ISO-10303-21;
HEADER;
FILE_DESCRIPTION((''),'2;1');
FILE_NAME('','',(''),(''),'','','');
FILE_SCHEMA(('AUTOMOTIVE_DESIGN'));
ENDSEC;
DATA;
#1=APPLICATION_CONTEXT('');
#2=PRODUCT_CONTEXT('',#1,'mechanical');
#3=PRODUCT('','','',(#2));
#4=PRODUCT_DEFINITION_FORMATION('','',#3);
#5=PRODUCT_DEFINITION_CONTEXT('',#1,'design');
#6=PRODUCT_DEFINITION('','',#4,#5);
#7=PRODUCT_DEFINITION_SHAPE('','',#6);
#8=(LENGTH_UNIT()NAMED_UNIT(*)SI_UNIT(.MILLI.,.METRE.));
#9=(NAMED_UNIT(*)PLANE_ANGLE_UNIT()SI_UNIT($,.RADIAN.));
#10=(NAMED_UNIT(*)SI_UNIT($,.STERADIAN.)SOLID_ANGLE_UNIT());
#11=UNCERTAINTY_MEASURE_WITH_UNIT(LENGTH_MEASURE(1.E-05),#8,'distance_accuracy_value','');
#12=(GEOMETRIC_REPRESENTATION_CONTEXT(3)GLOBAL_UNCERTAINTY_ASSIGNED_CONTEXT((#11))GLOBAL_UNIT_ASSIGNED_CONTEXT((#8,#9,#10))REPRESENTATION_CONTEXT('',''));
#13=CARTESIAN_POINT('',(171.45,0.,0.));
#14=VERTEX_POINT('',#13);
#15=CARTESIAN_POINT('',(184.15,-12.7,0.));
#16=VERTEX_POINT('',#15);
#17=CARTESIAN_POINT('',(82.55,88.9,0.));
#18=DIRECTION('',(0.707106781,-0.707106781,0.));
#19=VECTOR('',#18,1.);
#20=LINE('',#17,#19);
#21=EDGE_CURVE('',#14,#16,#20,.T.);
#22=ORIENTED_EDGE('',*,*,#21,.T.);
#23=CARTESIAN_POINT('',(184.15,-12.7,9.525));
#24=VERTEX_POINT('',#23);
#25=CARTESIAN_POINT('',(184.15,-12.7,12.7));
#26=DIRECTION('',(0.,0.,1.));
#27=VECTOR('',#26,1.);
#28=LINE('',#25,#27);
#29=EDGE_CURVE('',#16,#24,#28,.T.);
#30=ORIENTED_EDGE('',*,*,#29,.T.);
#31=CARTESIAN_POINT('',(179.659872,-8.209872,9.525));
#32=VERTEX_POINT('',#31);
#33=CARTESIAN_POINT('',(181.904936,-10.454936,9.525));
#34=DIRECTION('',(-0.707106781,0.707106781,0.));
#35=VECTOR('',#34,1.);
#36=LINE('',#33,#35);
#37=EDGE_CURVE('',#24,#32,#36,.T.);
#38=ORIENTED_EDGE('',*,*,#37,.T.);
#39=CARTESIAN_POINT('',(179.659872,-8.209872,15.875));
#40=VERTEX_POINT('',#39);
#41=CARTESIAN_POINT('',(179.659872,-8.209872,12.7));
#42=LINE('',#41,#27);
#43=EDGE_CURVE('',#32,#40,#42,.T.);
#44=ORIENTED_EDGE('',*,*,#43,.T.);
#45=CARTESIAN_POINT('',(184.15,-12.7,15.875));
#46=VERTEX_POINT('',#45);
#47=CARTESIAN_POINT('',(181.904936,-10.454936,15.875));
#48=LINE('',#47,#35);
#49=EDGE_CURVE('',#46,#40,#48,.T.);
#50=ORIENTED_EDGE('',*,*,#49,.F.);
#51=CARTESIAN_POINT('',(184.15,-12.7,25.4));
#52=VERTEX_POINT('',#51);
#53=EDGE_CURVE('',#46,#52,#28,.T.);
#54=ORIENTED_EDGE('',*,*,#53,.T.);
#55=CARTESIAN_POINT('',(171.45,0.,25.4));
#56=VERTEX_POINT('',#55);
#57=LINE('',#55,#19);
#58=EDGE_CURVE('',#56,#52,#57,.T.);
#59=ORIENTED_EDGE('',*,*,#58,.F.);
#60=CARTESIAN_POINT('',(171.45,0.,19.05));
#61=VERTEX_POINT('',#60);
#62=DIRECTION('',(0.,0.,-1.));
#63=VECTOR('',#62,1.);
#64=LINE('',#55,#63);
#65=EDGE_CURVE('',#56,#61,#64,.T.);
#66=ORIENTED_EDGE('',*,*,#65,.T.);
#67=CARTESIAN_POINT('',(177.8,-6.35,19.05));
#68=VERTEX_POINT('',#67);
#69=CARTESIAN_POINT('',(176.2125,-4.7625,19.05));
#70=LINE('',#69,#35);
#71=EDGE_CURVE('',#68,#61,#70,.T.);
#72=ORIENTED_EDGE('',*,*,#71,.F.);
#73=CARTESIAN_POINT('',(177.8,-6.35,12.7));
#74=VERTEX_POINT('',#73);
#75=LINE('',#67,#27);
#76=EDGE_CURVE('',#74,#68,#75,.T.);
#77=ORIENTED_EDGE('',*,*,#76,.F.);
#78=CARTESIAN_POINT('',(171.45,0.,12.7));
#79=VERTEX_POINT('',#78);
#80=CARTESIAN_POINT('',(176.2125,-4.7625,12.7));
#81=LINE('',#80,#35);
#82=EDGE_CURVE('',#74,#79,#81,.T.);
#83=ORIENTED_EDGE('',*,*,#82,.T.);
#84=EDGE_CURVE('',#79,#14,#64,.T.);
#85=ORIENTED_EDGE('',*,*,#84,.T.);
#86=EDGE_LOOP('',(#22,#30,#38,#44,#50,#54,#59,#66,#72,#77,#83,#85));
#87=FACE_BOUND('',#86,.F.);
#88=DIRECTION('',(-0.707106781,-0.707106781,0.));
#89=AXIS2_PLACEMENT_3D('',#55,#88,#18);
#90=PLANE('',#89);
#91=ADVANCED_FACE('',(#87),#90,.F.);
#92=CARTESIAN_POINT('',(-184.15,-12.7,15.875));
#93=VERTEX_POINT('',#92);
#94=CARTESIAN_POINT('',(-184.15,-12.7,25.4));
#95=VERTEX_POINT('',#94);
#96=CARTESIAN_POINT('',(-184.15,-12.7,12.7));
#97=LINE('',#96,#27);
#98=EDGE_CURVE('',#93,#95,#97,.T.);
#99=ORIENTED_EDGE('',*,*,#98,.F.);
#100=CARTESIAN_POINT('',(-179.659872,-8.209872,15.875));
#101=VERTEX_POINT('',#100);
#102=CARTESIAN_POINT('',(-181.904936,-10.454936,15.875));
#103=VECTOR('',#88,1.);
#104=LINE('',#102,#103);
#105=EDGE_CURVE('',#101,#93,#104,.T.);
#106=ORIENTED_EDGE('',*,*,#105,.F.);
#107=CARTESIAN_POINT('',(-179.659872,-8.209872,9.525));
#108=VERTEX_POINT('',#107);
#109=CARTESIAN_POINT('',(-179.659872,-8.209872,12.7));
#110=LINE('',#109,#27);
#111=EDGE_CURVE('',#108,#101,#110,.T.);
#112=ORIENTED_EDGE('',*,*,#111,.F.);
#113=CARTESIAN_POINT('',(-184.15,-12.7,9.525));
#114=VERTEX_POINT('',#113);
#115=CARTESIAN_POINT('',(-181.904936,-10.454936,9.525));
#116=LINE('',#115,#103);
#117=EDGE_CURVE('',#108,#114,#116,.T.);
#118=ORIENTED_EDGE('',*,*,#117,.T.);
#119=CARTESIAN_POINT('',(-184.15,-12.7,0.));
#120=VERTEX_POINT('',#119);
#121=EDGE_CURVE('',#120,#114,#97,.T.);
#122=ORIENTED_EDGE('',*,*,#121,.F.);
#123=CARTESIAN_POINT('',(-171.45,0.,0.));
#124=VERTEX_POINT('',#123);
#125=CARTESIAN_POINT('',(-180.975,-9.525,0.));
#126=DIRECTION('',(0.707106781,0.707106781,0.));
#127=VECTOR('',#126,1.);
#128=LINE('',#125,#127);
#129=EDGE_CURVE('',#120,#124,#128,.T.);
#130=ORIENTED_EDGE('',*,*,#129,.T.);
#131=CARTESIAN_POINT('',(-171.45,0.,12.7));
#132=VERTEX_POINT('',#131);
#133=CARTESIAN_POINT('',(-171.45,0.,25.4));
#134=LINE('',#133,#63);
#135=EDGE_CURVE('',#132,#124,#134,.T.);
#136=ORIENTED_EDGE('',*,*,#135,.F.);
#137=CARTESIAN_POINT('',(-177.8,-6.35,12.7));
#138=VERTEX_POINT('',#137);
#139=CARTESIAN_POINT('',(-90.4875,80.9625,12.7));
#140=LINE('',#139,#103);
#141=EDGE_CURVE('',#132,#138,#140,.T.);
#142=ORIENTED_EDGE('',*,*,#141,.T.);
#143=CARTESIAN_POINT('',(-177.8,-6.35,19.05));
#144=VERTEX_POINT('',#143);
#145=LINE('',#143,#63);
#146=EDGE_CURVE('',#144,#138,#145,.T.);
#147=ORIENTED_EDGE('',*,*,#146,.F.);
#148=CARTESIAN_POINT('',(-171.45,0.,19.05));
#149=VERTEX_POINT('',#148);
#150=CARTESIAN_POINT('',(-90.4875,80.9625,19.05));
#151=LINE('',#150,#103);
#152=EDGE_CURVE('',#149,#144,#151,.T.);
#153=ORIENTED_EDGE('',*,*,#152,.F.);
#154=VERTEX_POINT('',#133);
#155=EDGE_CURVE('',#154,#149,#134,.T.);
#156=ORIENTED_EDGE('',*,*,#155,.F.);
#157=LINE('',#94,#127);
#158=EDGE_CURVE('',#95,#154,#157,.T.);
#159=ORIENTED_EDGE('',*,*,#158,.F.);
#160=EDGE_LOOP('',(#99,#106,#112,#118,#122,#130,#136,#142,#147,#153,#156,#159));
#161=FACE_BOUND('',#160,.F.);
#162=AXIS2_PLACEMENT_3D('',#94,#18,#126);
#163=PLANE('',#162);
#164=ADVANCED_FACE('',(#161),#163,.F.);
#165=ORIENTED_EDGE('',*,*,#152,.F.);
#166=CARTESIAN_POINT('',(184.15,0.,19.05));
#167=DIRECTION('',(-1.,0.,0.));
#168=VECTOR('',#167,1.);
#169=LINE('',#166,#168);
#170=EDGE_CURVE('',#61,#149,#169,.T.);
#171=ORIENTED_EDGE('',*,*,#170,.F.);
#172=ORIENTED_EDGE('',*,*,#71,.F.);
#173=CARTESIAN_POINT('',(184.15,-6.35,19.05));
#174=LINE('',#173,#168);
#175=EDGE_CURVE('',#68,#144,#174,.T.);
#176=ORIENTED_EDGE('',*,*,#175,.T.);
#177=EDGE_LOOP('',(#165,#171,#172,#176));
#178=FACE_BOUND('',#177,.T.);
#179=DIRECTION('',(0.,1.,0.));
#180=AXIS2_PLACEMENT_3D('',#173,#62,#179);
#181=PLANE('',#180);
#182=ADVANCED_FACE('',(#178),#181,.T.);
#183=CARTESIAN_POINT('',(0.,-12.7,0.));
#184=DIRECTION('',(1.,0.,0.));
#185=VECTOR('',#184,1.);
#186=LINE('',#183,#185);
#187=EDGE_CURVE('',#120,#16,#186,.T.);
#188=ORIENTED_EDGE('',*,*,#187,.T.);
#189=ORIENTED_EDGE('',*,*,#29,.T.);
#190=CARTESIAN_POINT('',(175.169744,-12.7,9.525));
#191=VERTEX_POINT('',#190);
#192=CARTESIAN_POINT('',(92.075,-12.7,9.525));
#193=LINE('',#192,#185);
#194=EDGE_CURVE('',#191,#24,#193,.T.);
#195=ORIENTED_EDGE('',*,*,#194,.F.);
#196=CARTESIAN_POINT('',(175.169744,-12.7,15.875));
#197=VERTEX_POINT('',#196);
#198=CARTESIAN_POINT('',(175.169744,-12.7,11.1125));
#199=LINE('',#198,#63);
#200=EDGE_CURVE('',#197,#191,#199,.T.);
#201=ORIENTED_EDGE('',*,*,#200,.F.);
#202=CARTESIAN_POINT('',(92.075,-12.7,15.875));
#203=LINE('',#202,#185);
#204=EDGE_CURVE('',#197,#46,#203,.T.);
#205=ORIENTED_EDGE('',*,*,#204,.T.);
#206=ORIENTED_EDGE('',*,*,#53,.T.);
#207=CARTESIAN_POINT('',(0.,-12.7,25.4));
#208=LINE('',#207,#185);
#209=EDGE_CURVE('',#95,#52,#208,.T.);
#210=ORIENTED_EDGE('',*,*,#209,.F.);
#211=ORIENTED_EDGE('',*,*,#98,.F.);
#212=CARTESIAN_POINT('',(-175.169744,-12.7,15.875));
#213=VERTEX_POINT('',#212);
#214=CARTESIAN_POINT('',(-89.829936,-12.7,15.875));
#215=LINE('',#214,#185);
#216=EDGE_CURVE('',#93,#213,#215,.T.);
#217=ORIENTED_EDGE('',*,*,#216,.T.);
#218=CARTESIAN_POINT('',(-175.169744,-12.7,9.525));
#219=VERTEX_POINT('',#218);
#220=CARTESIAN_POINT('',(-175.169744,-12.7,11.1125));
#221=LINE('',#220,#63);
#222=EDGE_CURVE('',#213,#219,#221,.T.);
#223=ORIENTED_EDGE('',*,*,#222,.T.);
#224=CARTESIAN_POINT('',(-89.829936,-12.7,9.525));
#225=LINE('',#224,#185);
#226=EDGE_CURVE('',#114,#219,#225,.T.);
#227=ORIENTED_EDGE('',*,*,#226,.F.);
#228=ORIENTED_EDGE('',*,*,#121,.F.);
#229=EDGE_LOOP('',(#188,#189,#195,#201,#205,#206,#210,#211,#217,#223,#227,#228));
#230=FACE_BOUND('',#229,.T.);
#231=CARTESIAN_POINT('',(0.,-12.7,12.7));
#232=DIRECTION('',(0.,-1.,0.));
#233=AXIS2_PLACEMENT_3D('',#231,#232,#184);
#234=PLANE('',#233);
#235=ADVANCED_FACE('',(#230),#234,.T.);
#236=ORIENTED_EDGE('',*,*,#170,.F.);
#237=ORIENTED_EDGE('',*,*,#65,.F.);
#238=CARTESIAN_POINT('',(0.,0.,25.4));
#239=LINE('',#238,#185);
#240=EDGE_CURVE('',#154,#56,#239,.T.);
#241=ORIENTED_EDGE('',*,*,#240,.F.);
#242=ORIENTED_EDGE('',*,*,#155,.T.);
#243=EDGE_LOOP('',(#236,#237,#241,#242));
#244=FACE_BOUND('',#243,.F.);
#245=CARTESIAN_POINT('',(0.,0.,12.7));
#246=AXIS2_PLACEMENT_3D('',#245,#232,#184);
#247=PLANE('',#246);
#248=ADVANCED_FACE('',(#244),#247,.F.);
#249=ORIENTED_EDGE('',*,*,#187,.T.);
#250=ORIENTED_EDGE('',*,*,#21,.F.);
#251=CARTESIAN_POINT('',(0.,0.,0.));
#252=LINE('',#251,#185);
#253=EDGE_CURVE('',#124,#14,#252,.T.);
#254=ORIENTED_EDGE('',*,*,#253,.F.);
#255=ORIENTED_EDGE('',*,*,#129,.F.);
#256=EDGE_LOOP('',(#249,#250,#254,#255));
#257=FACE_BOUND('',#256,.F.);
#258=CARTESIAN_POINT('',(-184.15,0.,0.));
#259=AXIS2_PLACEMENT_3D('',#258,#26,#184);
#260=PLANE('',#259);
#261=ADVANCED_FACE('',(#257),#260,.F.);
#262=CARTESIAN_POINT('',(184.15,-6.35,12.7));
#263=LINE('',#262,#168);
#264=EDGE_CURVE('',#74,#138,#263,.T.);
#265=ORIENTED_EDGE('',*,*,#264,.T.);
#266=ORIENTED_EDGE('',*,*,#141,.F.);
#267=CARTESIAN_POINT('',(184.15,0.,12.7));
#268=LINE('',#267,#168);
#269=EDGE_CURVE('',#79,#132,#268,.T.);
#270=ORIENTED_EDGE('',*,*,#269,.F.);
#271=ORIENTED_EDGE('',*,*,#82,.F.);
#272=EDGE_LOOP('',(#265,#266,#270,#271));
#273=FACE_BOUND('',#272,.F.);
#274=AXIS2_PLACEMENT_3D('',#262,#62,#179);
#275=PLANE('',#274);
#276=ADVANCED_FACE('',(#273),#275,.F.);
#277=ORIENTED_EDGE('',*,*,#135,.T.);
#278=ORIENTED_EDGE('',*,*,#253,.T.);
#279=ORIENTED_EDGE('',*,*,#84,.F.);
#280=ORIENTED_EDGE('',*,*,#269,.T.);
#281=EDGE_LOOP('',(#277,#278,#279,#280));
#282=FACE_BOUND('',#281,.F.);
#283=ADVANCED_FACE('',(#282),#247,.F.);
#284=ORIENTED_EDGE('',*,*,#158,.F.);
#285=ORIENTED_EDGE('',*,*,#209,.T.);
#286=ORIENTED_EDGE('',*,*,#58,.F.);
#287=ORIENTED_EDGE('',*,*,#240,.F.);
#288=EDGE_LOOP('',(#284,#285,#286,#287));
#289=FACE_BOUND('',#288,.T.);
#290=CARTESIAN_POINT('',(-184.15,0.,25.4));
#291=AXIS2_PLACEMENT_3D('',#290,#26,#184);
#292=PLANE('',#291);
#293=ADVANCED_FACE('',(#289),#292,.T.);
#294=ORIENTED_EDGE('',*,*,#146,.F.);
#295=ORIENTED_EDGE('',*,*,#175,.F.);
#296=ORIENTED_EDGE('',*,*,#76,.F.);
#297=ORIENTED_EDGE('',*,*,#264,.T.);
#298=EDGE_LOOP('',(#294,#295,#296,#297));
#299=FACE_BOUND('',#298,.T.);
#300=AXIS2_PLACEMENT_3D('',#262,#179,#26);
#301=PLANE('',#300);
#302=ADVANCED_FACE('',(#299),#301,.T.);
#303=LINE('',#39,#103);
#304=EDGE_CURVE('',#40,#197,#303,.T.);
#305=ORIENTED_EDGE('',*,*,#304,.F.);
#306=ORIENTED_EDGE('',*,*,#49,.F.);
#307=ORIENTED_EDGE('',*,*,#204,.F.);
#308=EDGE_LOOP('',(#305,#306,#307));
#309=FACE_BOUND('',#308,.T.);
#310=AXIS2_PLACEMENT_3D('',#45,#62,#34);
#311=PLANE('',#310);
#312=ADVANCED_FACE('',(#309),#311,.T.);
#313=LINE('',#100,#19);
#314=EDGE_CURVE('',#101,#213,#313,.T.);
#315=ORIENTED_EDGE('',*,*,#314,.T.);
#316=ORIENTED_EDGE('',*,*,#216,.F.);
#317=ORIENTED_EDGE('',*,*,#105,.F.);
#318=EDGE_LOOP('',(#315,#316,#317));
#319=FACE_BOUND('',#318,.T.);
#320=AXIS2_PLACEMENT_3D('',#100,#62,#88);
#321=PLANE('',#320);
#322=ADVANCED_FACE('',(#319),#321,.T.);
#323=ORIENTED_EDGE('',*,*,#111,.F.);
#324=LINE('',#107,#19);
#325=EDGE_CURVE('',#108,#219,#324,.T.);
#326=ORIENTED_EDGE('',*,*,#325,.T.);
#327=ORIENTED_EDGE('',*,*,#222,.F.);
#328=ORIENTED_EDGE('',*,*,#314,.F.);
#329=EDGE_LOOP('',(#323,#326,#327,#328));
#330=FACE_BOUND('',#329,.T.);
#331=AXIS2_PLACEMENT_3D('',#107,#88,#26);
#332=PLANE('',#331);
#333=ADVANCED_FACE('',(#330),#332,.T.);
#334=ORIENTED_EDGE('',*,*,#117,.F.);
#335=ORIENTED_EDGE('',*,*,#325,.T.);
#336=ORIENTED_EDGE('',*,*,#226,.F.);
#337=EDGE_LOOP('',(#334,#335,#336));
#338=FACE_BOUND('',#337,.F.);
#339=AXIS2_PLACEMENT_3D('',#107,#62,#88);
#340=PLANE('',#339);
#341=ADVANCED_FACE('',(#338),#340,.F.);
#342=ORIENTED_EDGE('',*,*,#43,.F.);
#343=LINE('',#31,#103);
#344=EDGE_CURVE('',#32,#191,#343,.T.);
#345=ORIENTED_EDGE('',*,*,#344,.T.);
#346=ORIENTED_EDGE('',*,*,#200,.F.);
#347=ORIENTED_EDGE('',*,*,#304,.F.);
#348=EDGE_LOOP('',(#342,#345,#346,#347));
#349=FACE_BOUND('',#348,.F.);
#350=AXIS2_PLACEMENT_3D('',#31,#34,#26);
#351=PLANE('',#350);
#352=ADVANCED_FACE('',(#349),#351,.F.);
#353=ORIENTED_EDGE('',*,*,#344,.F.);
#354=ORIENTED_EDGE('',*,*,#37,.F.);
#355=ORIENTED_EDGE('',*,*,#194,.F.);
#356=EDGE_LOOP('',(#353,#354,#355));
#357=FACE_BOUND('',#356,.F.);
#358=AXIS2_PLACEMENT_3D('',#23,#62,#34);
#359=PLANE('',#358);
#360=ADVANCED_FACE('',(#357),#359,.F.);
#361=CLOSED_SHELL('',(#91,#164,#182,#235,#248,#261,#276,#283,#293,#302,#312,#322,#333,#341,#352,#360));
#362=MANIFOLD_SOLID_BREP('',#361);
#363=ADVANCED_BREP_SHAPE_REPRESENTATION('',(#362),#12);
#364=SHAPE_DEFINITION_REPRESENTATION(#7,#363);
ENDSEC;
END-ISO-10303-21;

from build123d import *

# Parameters (mm, degrees)
F0_W     = 368.3
F0_H     = 25.4
F1_DEPTH = 12.7
F2_W     = 6.35
F2_H     = 6.35
F3_DEPTH = 368.301
F5_DEPTH = 25.401
F6_W     = 6.35
F6_H     = 6.35
F7_DEPTH = 260.428428
F8_W     = 6.35
F8_H     = 6.35
F9_DEPTH = 260.428428


with BuildPart() as f1:
    # F0 (on Front) → F1 (new body)
    with BuildSketch(Plane.XZ):
        with Locations((0, 12.7)):
            Rectangle(F0_W, F0_H)
    extrude(amount=F1_DEPTH)

    # F2 (on face) → F3 (cut, through all)
    with BuildSketch(Plane.YZ.offset(184.15)):
        with Locations((-3.175, 15.875)):
            Rectangle(F2_W, F2_H)
    extrude(amount=-F3_DEPTH, mode=Mode.SUBTRACT)

    # F4 (on face) → F5 (cut, through all)
    with BuildSketch(Plane.XY.offset(25.4)):
        Polygon((-171.45, 0), (-184.15, 0), (-184.15, -12.7), align=None)
        Polygon((171.45, 0), (184.15, -12.7), (184.15, 0), align=None)
    extrude(amount=-F5_DEPTH, mode=Mode.SUBTRACT)

    # F6 (on face) → F7 (cut, through all)
    with BuildSketch(Plane(origin=(85.725, 85.725, 0), x_dir=(-0.707107, 0.707107, 0), z_dir=(0.707107, 0.707107, 0))):
        with Locations((-136.01897, 12.7)):
            Rectangle(F6_W, F6_H)
    extrude(amount=-F7_DEPTH, mode=Mode.SUBTRACT)

    # F8 (on face) → F9 (cut, through all)
    with BuildSketch(Plane(origin=(-85.725, 85.725, 0), x_dir=(-0.707107, -0.707107, 0), z_dir=(-0.707107, 0.707107, 0))):
        with Locations((136.01897, 12.7)):
            Rectangle(F8_W, F8_H)
    extrude(amount=-F9_DEPTH, mode=Mode.SUBTRACT)


solid = f1.part
